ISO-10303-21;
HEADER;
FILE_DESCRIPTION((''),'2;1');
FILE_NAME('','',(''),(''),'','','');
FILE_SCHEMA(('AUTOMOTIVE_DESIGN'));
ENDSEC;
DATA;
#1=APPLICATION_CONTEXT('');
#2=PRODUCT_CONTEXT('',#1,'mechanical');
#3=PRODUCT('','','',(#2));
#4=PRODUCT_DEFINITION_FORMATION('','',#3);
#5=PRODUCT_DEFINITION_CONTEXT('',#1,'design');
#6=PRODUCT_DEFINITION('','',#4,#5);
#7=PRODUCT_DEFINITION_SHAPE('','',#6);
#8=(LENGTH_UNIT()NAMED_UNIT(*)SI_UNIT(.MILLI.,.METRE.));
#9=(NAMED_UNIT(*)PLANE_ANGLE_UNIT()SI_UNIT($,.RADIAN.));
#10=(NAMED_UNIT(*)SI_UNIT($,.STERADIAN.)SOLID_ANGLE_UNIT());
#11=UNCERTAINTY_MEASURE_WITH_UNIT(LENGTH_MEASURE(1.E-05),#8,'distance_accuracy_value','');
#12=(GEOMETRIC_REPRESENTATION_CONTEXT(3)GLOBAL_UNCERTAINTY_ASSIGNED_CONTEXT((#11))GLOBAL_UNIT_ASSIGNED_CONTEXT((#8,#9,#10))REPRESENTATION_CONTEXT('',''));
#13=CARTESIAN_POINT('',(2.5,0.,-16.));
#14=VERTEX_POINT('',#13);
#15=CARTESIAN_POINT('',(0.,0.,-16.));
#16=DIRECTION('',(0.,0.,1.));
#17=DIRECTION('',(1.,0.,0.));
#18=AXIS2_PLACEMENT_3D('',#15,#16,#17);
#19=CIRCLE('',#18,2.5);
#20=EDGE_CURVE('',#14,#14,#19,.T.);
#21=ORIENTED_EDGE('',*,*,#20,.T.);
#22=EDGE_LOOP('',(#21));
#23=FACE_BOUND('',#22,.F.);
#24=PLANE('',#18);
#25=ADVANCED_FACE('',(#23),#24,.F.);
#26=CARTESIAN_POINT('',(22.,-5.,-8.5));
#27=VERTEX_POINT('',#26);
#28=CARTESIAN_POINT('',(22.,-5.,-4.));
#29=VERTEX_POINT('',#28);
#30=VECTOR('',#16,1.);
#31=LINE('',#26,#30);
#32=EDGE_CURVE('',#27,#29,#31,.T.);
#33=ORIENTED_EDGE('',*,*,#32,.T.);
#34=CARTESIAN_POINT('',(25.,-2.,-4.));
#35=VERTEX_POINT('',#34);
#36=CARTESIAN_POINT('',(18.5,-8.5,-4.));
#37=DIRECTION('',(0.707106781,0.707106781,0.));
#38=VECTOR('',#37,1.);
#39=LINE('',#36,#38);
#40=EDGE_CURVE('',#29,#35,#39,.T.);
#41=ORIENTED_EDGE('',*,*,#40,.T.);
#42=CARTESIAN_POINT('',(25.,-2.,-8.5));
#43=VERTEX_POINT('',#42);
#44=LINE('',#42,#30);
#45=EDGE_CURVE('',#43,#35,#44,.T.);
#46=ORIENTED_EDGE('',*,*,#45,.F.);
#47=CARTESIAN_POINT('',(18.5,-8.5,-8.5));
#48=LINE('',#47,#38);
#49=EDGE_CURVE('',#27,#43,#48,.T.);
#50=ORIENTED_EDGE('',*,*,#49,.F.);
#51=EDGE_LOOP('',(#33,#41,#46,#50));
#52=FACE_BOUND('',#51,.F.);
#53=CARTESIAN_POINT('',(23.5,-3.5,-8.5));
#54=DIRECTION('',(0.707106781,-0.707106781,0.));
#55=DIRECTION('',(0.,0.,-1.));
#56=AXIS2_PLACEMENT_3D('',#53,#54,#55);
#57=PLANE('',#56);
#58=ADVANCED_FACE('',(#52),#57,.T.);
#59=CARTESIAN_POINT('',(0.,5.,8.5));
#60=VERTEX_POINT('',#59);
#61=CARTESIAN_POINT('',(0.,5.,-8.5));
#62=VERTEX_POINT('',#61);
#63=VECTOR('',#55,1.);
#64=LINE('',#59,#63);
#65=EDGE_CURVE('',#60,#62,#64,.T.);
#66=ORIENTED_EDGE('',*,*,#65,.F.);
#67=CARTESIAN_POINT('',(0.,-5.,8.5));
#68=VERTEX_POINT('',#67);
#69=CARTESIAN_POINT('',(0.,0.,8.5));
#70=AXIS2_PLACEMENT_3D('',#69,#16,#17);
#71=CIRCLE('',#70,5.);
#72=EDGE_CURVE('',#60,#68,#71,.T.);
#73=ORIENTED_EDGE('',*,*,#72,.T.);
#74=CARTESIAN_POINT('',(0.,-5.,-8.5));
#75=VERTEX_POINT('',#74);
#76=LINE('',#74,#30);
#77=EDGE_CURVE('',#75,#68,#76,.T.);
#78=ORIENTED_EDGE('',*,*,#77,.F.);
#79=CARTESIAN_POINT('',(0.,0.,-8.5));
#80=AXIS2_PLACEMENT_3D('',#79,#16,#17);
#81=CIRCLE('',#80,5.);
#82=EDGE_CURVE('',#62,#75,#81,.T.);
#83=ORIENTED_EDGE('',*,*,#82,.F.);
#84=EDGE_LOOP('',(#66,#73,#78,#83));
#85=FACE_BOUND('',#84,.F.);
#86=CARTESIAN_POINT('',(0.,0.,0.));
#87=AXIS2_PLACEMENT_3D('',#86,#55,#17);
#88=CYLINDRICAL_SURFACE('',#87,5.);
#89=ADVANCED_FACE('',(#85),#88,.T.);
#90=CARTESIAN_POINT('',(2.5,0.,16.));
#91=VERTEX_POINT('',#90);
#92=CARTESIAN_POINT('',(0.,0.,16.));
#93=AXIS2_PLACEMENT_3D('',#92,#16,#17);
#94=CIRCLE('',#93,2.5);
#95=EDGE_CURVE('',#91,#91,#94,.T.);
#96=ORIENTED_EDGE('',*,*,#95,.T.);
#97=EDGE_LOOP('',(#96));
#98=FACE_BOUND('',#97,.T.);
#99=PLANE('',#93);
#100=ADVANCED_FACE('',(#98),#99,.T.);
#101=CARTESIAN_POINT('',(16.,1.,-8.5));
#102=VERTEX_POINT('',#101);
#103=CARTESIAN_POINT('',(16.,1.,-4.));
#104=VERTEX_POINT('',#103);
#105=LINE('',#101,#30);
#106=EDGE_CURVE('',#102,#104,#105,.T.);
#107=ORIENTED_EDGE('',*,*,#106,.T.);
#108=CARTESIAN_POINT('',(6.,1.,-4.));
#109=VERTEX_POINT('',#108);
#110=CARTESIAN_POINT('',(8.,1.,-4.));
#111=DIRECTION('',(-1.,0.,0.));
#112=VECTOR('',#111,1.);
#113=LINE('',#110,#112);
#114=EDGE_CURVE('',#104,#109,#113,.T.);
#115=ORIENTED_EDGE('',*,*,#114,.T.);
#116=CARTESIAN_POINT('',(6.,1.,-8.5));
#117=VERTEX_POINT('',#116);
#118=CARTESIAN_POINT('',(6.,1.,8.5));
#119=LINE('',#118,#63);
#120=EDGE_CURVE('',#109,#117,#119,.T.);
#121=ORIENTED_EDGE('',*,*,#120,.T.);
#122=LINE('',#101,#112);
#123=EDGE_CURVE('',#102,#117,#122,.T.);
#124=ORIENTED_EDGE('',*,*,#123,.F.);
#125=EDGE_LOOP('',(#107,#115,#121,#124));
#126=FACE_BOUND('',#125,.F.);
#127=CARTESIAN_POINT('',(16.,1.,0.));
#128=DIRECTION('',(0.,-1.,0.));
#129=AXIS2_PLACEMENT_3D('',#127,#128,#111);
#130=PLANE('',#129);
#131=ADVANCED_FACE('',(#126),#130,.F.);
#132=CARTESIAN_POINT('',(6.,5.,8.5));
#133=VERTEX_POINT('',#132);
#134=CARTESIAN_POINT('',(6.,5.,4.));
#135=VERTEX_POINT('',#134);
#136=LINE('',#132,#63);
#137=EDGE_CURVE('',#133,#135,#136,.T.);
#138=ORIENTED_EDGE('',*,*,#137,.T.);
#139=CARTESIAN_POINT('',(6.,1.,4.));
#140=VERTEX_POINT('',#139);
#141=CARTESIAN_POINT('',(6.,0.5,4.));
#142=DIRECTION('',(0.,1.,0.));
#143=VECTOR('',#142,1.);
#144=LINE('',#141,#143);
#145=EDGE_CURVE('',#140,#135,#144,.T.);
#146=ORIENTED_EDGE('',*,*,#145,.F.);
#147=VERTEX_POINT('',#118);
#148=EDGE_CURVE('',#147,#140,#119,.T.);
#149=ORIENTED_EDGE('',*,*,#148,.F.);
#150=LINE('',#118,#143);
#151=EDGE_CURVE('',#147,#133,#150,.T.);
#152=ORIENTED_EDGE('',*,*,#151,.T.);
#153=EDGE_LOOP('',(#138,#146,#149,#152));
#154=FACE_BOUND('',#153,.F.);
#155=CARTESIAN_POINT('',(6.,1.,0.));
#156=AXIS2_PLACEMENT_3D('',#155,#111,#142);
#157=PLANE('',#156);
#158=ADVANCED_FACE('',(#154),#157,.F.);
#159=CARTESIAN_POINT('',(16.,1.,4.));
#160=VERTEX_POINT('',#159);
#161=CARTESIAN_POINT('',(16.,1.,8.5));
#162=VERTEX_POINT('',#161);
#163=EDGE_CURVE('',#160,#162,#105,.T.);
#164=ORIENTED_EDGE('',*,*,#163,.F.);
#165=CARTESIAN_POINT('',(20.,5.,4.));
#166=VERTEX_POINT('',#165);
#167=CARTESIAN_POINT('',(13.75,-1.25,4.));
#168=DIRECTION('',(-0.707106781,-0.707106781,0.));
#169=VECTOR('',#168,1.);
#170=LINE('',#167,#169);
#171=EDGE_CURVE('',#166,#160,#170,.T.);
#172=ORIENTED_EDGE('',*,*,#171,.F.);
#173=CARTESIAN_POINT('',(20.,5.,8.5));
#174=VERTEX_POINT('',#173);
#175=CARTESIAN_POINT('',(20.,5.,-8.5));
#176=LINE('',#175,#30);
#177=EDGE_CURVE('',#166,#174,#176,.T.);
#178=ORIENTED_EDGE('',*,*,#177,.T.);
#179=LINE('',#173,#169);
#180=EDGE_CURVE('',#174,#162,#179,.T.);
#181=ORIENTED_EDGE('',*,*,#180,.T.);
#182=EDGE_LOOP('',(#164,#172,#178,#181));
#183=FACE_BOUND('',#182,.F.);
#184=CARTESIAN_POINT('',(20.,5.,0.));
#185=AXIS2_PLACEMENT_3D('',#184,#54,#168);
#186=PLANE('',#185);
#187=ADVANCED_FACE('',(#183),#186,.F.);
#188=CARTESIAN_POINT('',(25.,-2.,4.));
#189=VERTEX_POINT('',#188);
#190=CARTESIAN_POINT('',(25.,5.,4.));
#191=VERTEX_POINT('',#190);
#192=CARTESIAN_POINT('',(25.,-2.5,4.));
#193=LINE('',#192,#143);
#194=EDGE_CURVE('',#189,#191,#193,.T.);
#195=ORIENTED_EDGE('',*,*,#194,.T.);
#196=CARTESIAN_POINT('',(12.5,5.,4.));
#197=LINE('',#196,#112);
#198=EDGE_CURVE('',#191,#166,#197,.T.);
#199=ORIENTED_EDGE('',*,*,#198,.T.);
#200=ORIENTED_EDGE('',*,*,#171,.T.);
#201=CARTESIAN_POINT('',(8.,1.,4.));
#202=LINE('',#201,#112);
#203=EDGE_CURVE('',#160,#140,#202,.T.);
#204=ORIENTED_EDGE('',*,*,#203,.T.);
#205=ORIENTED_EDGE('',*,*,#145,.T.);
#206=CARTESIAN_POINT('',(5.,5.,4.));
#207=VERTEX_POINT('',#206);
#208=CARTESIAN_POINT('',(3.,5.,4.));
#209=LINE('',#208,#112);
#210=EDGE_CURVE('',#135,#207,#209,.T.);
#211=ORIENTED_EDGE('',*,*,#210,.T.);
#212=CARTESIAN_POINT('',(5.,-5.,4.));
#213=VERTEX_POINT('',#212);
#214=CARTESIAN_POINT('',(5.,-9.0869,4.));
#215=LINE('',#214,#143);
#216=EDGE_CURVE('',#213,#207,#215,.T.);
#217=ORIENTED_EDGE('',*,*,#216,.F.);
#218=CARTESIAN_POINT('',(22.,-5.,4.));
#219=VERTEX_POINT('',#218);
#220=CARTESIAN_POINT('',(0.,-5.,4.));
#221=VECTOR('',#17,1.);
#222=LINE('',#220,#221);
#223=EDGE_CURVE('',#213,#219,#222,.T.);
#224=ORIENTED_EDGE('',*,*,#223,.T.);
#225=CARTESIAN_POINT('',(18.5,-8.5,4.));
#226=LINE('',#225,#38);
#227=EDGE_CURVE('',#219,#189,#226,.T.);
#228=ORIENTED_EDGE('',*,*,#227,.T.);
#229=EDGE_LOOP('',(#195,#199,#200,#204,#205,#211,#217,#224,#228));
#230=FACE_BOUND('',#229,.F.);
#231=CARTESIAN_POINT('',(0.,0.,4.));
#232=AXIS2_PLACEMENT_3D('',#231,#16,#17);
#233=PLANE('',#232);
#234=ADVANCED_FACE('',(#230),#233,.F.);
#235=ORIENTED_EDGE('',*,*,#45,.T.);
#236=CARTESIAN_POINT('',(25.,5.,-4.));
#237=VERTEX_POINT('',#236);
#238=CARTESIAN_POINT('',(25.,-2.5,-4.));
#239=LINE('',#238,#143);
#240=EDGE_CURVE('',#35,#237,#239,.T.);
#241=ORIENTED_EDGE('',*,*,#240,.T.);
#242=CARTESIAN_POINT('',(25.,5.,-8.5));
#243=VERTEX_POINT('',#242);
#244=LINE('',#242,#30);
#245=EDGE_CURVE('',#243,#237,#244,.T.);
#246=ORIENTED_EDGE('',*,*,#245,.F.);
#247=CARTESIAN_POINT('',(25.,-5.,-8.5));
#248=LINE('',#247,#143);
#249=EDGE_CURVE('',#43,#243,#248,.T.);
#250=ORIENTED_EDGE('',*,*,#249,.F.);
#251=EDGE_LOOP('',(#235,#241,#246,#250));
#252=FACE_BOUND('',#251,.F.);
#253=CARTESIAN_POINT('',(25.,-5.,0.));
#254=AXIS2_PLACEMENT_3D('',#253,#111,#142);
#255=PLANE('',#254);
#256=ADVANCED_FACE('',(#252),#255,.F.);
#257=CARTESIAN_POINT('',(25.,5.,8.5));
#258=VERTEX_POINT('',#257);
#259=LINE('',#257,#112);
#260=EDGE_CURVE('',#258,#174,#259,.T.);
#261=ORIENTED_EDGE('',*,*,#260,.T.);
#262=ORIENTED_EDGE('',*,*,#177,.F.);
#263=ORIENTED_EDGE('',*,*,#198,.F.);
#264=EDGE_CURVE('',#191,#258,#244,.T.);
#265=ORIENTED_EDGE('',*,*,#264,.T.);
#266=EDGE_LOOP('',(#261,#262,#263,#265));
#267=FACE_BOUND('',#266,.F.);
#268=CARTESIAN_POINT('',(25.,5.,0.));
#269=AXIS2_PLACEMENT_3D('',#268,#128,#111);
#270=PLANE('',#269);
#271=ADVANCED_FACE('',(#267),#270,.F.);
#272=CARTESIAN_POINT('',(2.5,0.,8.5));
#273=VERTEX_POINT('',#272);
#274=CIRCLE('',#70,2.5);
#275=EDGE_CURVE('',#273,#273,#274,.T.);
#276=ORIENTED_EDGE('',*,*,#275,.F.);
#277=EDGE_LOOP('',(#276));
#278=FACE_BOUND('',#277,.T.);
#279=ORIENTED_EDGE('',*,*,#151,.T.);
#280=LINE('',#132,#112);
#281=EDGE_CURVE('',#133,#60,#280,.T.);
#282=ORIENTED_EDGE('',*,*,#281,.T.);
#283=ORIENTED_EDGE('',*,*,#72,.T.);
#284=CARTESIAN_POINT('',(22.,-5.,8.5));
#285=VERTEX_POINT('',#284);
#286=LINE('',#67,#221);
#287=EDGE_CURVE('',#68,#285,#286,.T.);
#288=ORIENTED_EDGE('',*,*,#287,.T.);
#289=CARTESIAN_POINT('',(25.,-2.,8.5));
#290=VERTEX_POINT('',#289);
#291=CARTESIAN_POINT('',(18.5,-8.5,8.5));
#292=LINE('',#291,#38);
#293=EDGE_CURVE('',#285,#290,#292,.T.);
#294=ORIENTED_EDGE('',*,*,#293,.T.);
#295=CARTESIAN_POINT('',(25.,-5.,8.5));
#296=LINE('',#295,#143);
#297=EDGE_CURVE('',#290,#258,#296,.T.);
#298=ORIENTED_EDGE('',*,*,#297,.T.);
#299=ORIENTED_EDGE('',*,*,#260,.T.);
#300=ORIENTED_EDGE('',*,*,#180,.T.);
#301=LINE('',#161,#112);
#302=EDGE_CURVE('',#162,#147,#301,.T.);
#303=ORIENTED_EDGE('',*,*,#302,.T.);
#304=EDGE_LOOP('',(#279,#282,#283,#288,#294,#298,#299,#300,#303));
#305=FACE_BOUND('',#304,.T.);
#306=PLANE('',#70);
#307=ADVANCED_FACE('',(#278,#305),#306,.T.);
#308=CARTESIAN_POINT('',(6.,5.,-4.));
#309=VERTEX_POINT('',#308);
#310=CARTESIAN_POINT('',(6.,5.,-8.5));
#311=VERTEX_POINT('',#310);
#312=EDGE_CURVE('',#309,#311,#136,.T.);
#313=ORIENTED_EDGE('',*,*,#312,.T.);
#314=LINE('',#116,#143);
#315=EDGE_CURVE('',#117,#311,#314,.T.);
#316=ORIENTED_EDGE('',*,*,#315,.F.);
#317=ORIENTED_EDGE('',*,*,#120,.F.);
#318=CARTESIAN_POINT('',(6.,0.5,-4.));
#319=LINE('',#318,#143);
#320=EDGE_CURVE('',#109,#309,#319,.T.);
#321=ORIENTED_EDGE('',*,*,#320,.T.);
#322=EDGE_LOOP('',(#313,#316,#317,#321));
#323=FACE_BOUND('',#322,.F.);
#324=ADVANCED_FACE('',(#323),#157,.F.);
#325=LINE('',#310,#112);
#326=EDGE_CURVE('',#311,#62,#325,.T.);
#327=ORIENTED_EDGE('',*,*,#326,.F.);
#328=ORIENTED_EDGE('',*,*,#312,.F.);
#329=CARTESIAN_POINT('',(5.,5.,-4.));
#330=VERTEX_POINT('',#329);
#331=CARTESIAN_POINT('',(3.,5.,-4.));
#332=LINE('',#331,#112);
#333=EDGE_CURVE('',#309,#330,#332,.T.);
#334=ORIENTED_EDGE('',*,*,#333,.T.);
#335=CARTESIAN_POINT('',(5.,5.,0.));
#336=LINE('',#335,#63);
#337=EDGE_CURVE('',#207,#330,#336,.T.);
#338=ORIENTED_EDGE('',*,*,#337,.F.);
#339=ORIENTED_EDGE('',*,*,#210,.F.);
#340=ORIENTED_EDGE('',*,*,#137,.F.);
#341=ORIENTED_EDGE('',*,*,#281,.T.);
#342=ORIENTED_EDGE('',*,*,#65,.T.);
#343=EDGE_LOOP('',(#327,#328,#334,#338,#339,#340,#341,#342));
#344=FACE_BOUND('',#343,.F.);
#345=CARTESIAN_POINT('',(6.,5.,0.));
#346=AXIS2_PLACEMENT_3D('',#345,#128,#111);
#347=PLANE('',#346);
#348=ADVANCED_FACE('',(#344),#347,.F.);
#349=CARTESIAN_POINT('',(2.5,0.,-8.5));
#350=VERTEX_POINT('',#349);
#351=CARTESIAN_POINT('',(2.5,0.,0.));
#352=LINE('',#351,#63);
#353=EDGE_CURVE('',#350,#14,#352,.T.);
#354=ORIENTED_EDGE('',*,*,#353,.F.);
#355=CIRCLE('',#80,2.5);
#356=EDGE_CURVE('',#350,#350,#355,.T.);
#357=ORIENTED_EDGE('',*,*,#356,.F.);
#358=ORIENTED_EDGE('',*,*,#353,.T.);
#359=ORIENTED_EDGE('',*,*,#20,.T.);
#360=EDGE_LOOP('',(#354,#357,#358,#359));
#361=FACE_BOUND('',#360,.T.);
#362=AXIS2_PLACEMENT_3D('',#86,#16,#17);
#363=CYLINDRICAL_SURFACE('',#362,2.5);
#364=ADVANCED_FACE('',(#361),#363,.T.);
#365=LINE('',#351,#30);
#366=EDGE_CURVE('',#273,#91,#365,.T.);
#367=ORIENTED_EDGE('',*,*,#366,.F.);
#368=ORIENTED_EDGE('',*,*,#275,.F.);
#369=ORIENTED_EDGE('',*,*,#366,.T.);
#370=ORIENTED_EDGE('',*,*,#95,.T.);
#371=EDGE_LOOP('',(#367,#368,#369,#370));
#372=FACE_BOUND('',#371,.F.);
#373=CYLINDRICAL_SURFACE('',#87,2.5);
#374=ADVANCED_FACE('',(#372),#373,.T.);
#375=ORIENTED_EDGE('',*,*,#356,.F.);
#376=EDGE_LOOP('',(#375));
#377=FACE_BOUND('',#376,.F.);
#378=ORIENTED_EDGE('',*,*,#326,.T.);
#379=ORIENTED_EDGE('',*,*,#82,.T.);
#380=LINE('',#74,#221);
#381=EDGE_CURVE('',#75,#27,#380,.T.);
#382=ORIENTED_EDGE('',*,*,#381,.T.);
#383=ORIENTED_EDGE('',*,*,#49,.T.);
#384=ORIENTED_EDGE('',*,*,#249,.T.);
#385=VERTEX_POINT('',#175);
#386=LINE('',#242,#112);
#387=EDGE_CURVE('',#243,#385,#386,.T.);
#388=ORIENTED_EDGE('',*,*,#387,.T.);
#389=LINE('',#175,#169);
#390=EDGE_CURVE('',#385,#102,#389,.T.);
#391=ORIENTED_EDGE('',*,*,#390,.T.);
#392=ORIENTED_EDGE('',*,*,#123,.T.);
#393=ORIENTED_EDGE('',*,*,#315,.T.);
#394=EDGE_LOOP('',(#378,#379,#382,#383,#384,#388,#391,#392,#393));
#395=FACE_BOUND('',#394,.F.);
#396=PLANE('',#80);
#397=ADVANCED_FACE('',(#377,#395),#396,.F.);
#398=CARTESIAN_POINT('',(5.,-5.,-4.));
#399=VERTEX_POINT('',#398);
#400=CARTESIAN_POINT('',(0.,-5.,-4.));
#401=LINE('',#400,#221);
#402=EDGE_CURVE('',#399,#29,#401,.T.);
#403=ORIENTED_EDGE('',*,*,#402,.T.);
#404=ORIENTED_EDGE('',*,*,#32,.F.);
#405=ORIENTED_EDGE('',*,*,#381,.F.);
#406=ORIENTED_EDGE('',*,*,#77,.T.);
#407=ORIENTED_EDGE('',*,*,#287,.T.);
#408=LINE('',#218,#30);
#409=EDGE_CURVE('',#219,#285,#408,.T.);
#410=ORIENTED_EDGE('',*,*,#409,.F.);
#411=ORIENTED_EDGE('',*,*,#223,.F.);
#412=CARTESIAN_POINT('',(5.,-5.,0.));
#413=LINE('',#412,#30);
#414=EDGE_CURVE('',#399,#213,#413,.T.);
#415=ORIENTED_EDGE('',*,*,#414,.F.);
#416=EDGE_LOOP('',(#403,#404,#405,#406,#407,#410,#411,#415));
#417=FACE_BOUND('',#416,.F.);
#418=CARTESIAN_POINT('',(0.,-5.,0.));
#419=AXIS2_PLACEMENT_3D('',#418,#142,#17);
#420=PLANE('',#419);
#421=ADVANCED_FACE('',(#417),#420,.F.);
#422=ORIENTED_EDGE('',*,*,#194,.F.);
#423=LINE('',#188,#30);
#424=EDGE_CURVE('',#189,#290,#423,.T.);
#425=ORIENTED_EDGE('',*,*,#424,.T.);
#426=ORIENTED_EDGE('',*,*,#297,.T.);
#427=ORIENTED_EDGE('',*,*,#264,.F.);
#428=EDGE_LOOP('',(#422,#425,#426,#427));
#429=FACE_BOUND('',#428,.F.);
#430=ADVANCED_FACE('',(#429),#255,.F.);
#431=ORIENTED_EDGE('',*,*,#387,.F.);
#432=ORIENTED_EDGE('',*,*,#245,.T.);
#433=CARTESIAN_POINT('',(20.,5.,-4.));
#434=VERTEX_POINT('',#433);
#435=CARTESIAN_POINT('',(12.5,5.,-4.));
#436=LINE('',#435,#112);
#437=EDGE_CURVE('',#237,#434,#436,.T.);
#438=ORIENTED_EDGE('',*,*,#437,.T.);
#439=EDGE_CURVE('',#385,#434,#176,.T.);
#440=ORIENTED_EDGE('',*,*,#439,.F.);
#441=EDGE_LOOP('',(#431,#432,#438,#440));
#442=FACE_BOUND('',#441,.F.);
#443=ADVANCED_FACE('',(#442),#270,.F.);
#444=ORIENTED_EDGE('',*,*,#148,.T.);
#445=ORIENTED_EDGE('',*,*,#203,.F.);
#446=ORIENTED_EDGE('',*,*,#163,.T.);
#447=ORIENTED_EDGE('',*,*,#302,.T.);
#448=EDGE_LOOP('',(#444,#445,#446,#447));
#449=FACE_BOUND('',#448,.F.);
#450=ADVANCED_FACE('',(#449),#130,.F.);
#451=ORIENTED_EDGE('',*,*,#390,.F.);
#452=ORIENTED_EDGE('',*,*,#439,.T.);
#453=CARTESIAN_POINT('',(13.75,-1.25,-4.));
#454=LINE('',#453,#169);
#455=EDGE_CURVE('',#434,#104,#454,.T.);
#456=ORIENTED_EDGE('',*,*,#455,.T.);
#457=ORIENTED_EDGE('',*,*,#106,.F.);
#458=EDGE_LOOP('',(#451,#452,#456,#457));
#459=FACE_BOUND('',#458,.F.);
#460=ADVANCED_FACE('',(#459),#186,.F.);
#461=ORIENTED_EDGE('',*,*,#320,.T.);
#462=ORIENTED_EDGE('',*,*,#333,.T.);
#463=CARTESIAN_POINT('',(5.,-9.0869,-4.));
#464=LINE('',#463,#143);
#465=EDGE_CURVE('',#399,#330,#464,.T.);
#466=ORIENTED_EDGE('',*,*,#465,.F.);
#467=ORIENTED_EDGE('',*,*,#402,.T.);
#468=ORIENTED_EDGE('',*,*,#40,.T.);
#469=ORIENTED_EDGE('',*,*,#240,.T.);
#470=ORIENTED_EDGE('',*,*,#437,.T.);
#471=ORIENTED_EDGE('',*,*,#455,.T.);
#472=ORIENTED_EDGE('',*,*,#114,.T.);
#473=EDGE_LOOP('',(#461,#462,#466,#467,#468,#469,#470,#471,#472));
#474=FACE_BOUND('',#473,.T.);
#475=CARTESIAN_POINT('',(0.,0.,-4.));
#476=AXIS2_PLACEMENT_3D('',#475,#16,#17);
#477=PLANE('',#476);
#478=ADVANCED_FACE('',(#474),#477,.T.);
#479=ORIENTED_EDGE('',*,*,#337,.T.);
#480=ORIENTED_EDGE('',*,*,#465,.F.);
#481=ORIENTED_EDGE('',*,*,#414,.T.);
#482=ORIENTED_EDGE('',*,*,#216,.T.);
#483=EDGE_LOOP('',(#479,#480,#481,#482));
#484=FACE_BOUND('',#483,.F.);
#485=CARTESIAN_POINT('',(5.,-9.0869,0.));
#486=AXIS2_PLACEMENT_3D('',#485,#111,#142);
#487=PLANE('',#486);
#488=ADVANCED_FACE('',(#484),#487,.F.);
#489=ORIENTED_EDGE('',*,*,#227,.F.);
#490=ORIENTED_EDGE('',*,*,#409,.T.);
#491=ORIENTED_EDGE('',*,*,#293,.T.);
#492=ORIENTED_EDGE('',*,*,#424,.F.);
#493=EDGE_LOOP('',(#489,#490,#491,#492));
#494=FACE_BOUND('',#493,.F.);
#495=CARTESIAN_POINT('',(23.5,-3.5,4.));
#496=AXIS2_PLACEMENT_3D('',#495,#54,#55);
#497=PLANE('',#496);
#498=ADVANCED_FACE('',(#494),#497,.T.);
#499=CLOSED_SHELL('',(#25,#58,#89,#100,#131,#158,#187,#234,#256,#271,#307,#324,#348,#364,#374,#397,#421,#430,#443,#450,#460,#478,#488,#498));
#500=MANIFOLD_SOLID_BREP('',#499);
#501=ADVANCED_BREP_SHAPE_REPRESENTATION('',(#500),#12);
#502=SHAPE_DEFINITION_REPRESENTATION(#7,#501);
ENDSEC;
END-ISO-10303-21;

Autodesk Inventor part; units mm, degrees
ref_plane "YZ Plane" through (0, 0, 0) normal (1, 0, 0) x (0, 1, 0)
ref_plane "XZ Plane" through (0, 0, 0) normal (0, 1, 0) x (-1, 0, 0)
ref_plane "XY Plane" through (0, 0, 0) normal (0, 0, 1) x (1, 0, 0)
sketch "스케치1" plane through (0, 0, 0) normal (0, 0, 1) x (1, 0, 0)
  circle A0 centre (0, 0) radius 2.5
  circle A1 centre (0, 0) radius 5
  line L0 (0, -5) -> (25, -5)
  line L1 (25, -5) -> (25, 5)
  line L2 (25, 5) -> (20, 5)
  line L3 (20, 5) -> (16, 1)
  line L4 (16, 1) -> (6, 1)
  line L5 (6, 1) -> (6, 5)
  line L6 (6, 5) -> (0, 5)
  dimension "d0" = 5
  dimension "d1" = 10
  dimension "d2" = 25
  dimension "d3" = 10
  dimension "d4" = 90
  dimension "d5" = 5
  dimension "d6" = 90
  dimension "d7" = 10
  dimension "d8" = 4
  dimension "d9" = 4
extrude "돌출1" add sketch "스케치1" along normal mid plane 17
extrude "돌출2" add sketch "스케치1" along normal mid plane 32 contours A0
sketch "스케치2" plane through (0, 0, 0) normal (0, 0, 1) x (1, 0, 0)
  line L0 (5, 11.5318) -> (29.4408, 11.5318)
  line L1 (29.4408, 11.5318) -> (29.4408, -9.0869)
  line L2 (29.4408, -9.0869) -> (5, -9.0869)
  line L3 (5, -9.0869) -> (5, 11.5318)
  line L4 (25, 5) -> (25, -5) projected
  point P0 (0, 0)
  dimension "d14" = 20
extrude "돌출3" cut sketch "스케치2" along normal mid plane 8
chamfer "모따기1" distance 3 angle 45 2 edges at (25, -5, 6.25) (25, -5, -6.25)
properties part number "10-2"
